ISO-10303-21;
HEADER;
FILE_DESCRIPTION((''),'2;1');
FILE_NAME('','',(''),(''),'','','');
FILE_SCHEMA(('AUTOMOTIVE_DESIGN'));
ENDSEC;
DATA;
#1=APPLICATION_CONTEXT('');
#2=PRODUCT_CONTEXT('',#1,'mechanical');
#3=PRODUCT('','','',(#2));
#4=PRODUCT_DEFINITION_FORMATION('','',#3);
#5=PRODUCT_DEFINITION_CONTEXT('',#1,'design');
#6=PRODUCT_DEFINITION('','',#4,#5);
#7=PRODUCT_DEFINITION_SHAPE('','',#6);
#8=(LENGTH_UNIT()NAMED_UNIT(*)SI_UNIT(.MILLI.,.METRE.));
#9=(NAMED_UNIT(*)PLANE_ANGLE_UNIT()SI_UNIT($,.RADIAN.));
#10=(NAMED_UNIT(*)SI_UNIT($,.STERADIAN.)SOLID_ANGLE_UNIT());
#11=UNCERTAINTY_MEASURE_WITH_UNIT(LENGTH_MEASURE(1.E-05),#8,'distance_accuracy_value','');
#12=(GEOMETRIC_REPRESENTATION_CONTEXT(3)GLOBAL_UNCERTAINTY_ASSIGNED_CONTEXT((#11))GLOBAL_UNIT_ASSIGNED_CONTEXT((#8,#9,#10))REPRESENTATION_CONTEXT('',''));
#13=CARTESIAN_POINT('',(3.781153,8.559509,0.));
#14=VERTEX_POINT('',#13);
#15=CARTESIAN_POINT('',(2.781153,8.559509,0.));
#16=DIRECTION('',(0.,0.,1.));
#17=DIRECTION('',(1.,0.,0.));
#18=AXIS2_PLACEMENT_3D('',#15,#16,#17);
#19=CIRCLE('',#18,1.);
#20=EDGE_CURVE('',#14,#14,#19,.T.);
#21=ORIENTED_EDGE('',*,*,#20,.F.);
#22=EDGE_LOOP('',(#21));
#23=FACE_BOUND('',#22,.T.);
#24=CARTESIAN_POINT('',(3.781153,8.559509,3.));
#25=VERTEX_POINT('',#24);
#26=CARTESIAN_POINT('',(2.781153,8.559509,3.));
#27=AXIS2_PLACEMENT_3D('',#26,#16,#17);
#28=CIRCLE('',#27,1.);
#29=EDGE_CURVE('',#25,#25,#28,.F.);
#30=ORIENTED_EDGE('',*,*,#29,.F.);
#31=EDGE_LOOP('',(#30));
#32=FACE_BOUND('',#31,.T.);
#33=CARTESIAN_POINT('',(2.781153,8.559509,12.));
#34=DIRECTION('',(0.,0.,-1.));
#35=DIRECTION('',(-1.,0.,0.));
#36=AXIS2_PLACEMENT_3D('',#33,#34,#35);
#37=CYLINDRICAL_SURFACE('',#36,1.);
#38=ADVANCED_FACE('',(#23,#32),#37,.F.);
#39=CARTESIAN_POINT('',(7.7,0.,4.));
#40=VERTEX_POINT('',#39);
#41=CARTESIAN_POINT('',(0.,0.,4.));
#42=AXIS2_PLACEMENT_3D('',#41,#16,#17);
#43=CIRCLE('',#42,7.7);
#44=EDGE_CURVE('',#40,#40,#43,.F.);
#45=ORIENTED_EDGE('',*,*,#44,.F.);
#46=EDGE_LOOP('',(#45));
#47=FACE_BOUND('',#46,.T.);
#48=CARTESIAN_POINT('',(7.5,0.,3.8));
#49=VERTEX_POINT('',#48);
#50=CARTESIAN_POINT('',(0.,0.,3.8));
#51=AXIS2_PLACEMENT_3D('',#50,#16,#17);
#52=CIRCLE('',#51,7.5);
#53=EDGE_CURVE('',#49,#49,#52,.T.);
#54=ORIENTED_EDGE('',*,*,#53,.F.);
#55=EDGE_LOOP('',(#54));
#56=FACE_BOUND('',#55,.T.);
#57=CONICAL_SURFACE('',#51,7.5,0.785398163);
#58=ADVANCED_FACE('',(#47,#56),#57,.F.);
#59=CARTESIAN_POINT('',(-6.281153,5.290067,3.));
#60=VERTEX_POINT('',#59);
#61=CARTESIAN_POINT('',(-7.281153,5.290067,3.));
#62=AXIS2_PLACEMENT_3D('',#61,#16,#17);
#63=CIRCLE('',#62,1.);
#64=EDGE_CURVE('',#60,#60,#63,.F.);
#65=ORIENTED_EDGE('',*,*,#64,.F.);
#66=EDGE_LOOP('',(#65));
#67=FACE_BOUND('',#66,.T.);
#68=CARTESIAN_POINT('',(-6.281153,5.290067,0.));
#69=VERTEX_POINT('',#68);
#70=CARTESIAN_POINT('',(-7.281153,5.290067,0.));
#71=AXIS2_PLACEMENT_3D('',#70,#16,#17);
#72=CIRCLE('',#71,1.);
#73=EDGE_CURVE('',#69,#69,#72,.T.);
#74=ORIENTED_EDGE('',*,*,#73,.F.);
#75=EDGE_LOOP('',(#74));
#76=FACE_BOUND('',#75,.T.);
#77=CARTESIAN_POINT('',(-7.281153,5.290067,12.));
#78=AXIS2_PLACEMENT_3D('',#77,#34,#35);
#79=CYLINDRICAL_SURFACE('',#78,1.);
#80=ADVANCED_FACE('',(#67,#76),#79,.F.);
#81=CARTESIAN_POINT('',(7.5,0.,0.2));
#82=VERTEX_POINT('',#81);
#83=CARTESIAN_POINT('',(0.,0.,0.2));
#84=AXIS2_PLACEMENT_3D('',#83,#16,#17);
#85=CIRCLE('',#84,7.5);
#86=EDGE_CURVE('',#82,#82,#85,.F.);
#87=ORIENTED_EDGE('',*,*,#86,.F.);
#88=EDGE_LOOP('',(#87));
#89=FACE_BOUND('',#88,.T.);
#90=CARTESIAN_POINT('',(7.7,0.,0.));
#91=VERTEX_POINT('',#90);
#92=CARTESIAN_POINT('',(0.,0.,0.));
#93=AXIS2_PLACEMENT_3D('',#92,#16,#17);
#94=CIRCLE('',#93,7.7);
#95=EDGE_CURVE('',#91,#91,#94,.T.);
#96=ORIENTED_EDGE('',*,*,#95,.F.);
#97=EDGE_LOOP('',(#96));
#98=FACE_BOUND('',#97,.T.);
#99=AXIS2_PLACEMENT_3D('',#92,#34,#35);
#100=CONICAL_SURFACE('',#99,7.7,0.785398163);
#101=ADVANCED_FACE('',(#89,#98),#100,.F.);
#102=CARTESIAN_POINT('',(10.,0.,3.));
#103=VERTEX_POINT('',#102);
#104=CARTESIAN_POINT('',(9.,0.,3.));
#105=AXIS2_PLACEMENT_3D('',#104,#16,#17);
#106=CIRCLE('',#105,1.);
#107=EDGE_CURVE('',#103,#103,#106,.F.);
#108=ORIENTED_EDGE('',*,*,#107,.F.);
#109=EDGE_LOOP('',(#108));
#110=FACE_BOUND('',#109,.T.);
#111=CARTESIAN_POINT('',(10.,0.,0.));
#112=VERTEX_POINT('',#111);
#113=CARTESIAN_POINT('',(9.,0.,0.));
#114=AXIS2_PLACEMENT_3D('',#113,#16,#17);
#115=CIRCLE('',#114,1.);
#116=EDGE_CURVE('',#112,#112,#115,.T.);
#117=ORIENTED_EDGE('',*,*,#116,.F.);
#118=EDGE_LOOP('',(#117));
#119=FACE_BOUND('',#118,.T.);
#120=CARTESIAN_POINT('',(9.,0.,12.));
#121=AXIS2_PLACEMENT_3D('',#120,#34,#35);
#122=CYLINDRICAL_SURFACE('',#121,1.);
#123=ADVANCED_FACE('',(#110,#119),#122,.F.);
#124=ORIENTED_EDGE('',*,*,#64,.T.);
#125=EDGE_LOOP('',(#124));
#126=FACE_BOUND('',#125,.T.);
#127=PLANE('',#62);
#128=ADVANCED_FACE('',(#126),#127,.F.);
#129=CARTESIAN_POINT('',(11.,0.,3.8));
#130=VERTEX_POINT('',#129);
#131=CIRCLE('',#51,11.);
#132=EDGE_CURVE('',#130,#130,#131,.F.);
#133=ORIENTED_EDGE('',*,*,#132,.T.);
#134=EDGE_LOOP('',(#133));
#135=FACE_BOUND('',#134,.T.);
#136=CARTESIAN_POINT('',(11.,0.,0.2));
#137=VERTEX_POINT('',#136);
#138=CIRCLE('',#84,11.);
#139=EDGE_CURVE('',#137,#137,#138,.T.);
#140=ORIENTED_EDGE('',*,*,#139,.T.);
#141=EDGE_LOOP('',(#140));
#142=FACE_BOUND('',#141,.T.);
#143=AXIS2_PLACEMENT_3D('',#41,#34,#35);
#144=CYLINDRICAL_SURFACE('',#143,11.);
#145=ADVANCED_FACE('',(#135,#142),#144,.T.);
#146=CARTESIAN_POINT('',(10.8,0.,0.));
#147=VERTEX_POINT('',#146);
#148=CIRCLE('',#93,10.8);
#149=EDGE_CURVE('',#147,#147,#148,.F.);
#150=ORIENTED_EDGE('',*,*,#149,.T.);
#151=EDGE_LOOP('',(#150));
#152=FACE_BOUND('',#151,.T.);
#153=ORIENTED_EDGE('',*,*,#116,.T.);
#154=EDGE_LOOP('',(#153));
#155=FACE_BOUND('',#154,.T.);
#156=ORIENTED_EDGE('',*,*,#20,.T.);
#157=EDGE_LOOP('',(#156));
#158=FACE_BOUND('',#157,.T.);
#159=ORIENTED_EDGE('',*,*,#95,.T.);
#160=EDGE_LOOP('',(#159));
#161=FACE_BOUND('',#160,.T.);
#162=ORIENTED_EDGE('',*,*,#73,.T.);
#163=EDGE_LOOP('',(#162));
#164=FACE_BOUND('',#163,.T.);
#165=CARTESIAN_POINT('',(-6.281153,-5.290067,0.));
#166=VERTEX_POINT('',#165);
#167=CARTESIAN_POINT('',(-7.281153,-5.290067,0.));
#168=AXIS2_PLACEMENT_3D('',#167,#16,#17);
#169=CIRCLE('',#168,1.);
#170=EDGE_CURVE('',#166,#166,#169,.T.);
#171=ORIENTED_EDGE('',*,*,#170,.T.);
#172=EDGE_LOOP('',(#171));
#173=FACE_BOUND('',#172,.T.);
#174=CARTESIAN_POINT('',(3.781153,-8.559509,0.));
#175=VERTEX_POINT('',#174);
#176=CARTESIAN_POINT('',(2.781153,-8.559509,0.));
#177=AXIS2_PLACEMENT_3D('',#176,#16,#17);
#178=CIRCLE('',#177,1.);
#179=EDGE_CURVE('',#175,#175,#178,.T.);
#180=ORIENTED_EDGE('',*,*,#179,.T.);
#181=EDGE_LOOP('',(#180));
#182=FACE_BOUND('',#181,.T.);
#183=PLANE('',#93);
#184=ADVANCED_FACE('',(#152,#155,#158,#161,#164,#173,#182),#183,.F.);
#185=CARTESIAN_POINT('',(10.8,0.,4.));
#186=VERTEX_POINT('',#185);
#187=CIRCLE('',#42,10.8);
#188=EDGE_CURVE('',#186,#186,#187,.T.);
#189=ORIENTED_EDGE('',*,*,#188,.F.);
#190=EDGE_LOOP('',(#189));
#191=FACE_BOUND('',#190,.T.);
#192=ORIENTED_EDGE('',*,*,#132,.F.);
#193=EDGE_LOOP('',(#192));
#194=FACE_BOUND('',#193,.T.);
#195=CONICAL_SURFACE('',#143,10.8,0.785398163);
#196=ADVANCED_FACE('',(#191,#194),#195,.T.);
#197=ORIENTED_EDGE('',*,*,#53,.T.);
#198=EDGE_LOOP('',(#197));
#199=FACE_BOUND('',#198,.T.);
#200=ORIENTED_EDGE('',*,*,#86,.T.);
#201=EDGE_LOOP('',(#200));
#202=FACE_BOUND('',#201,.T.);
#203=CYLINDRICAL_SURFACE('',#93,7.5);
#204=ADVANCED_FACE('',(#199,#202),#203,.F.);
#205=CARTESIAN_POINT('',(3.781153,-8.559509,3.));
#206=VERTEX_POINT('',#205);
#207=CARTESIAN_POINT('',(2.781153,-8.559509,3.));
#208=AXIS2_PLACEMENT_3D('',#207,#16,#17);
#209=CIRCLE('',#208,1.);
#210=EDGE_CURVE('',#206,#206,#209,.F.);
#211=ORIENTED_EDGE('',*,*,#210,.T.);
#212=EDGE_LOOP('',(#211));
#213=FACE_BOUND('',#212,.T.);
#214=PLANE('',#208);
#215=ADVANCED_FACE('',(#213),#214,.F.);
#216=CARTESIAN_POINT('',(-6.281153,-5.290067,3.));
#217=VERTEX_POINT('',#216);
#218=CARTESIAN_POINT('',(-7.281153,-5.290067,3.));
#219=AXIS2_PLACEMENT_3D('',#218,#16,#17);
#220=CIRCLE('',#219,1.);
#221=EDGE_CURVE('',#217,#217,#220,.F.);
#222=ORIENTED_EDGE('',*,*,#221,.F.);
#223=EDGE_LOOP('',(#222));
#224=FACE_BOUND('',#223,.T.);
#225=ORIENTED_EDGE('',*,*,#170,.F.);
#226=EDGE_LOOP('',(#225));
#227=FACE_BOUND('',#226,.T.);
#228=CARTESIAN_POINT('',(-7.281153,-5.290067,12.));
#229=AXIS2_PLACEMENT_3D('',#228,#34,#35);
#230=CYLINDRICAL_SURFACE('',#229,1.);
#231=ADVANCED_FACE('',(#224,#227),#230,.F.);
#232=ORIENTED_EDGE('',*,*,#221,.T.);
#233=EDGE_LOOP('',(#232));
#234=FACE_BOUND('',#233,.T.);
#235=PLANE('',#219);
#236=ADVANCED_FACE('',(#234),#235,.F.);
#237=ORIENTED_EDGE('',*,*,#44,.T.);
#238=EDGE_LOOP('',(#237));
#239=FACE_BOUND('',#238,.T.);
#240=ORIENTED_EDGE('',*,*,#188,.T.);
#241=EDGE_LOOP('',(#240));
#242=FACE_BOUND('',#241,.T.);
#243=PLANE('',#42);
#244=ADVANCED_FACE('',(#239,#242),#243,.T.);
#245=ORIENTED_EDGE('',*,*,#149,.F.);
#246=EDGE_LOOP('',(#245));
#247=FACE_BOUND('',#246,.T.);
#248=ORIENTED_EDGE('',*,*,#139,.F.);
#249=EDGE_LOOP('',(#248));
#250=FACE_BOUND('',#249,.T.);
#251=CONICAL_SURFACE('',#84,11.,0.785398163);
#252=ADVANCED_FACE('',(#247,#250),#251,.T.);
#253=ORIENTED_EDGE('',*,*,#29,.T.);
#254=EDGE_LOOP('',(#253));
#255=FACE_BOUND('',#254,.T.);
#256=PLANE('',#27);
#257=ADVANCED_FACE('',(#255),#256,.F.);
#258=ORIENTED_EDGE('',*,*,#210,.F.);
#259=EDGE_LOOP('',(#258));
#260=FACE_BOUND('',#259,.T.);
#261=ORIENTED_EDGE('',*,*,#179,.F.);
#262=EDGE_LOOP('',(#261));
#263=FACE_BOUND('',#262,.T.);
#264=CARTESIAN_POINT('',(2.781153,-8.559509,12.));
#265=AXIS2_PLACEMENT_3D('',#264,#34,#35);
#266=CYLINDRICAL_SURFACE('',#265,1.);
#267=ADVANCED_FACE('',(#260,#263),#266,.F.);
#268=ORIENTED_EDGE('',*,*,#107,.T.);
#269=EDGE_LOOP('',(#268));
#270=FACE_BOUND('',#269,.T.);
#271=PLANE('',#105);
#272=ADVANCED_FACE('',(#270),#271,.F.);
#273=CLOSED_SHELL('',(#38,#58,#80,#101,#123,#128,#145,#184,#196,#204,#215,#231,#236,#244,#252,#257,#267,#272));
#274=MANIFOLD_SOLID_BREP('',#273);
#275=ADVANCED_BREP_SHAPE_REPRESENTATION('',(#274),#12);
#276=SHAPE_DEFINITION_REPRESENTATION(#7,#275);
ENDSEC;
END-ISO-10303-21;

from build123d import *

# Parameters (mm, degrees)
SKETCH_1_R          = 11
SKETCH_1_R_2        = 1
EXTRUDE_1_DEPTH     = 4
EXTRUDE_START       = -12
SKETCH_3_R          = 1
EXTRUDE_2_DEPTH     = 12
SKETCH_12_R         = 1
CUT_EXTRUDE_4_DEPTH = 20
SKETCH_13_R         = 7.5
CUT_EXTRUDE_5_DEPTH = 17.062378404
EXTRUDE_START_2     = -1
SKETCH_14_R         = 1
EXTRUDE_3_DEPTH     = 1
CHAMFER_1_SIZE      = 0.2


with BuildPart() as part:
    # 草图1 → 凸台-拉伸1 (new body)
    with BuildSketch(Plane.XY):
        Circle(SKETCH_1_R)
        with Locations((9, 0)):
            Circle(SKETCH_1_R_2, mode=Mode.SUBTRACT)
        with Locations((2.781152949, -8.559508647)):
            Circle(SKETCH_1_R_2, mode=Mode.SUBTRACT)
        with Locations((-7.281152949, -5.290067271)):
            Circle(SKETCH_1_R_2, mode=Mode.SUBTRACT)
        with Locations((-7.281152949, 5.290067271)):
            Circle(SKETCH_1_R_2, mode=Mode.SUBTRACT)
        with Locations((2.781152949, 8.559508647)):
            Circle(SKETCH_1_R_2, mode=Mode.SUBTRACT)
    extrude(amount=EXTRUDE_1_DEPTH)

    # 草图3 → 凸台-拉伸2 (add)
    with BuildSketch(Plane.XY.offset(4).offset(EXTRUDE_START)):
        with Locations((9, 0)):
            Circle(SKETCH_3_R)
        with Locations((2.781152949, -8.559508647)):
            Circle(SKETCH_3_R)
        with Locations((-7.281152949, -5.290067271)):
            Circle(SKETCH_3_R)
        with Locations((-7.281152949, 5.290067271)):
            Circle(SKETCH_3_R)
        with Locations((2.781152949, 8.559508647)):
            Circle(SKETCH_3_R)
    extrude(amount=EXTRUDE_2_DEPTH)

    # 草图12 → 切除-拉伸4 (cut)
    with BuildSketch(Plane(origin=(0, 0, -8), x_dir=(-1, 0, 0), z_dir=(0, 0, -1))):
        with Locations(Location((-2.781152949, -8.559508647, 0), (0, 0, 180))):
            Circle(SKETCH_12_R)
        with Locations(Location((7.281152949, 5.290067271, 0), (0, 0, 180))):
            Circle(SKETCH_12_R)
        with Locations(Location((-2.781152949, 8.559508647, 0), (0, 0, 180))):
            Circle(SKETCH_12_R)
        with Locations(Location((-9, 0, 0), (0, 0, 180))):
            Circle(SKETCH_12_R)
        with Locations(Location((7.281152949, -5.290067271, 0), (0, 0, 180))):
            Circle(SKETCH_12_R)
    extrude(amount=-CUT_EXTRUDE_4_DEPTH, mode=Mode.SUBTRACT)

    # 草图13 → 切除-拉伸5 (cut, through all)
    with BuildSketch(Plane.XY.offset(4)):
        Circle(SKETCH_13_R)
    extrude(amount=-CUT_EXTRUDE_5_DEPTH, mode=Mode.SUBTRACT)

    # 草图14 → 凸台-拉伸3 (add)
    with BuildSketch(Plane.XY.offset(4).offset(EXTRUDE_START_2)):
        with Locations((-7.281152949, -5.290067271)):
            Circle(SKETCH_14_R)
        with Locations((2.781152949, -8.559508647)):
            Circle(SKETCH_14_R)
        with Locations((9, 0)):
            Circle(SKETCH_14_R)
        with Locations((2.781152949, 8.559508647)):
            Circle(SKETCH_14_R)
        with Locations((-7.281152949, 5.290067271)):
            Circle(SKETCH_14_R)
    extrude(amount=EXTRUDE_3_DEPTH)

    # 倒角1
    chamfer_1_edges = [part.edges().sort_by_distance(p)[0] for p in [
        (-11, 0, 0),
        (-11, 0, 4),
        (-7.5, 0, 0),
        (-7.5, 0, 4),
    ]]
    chamfer(chamfer_1_edges, length=CHAMFER_1_SIZE)


solid = part.part
